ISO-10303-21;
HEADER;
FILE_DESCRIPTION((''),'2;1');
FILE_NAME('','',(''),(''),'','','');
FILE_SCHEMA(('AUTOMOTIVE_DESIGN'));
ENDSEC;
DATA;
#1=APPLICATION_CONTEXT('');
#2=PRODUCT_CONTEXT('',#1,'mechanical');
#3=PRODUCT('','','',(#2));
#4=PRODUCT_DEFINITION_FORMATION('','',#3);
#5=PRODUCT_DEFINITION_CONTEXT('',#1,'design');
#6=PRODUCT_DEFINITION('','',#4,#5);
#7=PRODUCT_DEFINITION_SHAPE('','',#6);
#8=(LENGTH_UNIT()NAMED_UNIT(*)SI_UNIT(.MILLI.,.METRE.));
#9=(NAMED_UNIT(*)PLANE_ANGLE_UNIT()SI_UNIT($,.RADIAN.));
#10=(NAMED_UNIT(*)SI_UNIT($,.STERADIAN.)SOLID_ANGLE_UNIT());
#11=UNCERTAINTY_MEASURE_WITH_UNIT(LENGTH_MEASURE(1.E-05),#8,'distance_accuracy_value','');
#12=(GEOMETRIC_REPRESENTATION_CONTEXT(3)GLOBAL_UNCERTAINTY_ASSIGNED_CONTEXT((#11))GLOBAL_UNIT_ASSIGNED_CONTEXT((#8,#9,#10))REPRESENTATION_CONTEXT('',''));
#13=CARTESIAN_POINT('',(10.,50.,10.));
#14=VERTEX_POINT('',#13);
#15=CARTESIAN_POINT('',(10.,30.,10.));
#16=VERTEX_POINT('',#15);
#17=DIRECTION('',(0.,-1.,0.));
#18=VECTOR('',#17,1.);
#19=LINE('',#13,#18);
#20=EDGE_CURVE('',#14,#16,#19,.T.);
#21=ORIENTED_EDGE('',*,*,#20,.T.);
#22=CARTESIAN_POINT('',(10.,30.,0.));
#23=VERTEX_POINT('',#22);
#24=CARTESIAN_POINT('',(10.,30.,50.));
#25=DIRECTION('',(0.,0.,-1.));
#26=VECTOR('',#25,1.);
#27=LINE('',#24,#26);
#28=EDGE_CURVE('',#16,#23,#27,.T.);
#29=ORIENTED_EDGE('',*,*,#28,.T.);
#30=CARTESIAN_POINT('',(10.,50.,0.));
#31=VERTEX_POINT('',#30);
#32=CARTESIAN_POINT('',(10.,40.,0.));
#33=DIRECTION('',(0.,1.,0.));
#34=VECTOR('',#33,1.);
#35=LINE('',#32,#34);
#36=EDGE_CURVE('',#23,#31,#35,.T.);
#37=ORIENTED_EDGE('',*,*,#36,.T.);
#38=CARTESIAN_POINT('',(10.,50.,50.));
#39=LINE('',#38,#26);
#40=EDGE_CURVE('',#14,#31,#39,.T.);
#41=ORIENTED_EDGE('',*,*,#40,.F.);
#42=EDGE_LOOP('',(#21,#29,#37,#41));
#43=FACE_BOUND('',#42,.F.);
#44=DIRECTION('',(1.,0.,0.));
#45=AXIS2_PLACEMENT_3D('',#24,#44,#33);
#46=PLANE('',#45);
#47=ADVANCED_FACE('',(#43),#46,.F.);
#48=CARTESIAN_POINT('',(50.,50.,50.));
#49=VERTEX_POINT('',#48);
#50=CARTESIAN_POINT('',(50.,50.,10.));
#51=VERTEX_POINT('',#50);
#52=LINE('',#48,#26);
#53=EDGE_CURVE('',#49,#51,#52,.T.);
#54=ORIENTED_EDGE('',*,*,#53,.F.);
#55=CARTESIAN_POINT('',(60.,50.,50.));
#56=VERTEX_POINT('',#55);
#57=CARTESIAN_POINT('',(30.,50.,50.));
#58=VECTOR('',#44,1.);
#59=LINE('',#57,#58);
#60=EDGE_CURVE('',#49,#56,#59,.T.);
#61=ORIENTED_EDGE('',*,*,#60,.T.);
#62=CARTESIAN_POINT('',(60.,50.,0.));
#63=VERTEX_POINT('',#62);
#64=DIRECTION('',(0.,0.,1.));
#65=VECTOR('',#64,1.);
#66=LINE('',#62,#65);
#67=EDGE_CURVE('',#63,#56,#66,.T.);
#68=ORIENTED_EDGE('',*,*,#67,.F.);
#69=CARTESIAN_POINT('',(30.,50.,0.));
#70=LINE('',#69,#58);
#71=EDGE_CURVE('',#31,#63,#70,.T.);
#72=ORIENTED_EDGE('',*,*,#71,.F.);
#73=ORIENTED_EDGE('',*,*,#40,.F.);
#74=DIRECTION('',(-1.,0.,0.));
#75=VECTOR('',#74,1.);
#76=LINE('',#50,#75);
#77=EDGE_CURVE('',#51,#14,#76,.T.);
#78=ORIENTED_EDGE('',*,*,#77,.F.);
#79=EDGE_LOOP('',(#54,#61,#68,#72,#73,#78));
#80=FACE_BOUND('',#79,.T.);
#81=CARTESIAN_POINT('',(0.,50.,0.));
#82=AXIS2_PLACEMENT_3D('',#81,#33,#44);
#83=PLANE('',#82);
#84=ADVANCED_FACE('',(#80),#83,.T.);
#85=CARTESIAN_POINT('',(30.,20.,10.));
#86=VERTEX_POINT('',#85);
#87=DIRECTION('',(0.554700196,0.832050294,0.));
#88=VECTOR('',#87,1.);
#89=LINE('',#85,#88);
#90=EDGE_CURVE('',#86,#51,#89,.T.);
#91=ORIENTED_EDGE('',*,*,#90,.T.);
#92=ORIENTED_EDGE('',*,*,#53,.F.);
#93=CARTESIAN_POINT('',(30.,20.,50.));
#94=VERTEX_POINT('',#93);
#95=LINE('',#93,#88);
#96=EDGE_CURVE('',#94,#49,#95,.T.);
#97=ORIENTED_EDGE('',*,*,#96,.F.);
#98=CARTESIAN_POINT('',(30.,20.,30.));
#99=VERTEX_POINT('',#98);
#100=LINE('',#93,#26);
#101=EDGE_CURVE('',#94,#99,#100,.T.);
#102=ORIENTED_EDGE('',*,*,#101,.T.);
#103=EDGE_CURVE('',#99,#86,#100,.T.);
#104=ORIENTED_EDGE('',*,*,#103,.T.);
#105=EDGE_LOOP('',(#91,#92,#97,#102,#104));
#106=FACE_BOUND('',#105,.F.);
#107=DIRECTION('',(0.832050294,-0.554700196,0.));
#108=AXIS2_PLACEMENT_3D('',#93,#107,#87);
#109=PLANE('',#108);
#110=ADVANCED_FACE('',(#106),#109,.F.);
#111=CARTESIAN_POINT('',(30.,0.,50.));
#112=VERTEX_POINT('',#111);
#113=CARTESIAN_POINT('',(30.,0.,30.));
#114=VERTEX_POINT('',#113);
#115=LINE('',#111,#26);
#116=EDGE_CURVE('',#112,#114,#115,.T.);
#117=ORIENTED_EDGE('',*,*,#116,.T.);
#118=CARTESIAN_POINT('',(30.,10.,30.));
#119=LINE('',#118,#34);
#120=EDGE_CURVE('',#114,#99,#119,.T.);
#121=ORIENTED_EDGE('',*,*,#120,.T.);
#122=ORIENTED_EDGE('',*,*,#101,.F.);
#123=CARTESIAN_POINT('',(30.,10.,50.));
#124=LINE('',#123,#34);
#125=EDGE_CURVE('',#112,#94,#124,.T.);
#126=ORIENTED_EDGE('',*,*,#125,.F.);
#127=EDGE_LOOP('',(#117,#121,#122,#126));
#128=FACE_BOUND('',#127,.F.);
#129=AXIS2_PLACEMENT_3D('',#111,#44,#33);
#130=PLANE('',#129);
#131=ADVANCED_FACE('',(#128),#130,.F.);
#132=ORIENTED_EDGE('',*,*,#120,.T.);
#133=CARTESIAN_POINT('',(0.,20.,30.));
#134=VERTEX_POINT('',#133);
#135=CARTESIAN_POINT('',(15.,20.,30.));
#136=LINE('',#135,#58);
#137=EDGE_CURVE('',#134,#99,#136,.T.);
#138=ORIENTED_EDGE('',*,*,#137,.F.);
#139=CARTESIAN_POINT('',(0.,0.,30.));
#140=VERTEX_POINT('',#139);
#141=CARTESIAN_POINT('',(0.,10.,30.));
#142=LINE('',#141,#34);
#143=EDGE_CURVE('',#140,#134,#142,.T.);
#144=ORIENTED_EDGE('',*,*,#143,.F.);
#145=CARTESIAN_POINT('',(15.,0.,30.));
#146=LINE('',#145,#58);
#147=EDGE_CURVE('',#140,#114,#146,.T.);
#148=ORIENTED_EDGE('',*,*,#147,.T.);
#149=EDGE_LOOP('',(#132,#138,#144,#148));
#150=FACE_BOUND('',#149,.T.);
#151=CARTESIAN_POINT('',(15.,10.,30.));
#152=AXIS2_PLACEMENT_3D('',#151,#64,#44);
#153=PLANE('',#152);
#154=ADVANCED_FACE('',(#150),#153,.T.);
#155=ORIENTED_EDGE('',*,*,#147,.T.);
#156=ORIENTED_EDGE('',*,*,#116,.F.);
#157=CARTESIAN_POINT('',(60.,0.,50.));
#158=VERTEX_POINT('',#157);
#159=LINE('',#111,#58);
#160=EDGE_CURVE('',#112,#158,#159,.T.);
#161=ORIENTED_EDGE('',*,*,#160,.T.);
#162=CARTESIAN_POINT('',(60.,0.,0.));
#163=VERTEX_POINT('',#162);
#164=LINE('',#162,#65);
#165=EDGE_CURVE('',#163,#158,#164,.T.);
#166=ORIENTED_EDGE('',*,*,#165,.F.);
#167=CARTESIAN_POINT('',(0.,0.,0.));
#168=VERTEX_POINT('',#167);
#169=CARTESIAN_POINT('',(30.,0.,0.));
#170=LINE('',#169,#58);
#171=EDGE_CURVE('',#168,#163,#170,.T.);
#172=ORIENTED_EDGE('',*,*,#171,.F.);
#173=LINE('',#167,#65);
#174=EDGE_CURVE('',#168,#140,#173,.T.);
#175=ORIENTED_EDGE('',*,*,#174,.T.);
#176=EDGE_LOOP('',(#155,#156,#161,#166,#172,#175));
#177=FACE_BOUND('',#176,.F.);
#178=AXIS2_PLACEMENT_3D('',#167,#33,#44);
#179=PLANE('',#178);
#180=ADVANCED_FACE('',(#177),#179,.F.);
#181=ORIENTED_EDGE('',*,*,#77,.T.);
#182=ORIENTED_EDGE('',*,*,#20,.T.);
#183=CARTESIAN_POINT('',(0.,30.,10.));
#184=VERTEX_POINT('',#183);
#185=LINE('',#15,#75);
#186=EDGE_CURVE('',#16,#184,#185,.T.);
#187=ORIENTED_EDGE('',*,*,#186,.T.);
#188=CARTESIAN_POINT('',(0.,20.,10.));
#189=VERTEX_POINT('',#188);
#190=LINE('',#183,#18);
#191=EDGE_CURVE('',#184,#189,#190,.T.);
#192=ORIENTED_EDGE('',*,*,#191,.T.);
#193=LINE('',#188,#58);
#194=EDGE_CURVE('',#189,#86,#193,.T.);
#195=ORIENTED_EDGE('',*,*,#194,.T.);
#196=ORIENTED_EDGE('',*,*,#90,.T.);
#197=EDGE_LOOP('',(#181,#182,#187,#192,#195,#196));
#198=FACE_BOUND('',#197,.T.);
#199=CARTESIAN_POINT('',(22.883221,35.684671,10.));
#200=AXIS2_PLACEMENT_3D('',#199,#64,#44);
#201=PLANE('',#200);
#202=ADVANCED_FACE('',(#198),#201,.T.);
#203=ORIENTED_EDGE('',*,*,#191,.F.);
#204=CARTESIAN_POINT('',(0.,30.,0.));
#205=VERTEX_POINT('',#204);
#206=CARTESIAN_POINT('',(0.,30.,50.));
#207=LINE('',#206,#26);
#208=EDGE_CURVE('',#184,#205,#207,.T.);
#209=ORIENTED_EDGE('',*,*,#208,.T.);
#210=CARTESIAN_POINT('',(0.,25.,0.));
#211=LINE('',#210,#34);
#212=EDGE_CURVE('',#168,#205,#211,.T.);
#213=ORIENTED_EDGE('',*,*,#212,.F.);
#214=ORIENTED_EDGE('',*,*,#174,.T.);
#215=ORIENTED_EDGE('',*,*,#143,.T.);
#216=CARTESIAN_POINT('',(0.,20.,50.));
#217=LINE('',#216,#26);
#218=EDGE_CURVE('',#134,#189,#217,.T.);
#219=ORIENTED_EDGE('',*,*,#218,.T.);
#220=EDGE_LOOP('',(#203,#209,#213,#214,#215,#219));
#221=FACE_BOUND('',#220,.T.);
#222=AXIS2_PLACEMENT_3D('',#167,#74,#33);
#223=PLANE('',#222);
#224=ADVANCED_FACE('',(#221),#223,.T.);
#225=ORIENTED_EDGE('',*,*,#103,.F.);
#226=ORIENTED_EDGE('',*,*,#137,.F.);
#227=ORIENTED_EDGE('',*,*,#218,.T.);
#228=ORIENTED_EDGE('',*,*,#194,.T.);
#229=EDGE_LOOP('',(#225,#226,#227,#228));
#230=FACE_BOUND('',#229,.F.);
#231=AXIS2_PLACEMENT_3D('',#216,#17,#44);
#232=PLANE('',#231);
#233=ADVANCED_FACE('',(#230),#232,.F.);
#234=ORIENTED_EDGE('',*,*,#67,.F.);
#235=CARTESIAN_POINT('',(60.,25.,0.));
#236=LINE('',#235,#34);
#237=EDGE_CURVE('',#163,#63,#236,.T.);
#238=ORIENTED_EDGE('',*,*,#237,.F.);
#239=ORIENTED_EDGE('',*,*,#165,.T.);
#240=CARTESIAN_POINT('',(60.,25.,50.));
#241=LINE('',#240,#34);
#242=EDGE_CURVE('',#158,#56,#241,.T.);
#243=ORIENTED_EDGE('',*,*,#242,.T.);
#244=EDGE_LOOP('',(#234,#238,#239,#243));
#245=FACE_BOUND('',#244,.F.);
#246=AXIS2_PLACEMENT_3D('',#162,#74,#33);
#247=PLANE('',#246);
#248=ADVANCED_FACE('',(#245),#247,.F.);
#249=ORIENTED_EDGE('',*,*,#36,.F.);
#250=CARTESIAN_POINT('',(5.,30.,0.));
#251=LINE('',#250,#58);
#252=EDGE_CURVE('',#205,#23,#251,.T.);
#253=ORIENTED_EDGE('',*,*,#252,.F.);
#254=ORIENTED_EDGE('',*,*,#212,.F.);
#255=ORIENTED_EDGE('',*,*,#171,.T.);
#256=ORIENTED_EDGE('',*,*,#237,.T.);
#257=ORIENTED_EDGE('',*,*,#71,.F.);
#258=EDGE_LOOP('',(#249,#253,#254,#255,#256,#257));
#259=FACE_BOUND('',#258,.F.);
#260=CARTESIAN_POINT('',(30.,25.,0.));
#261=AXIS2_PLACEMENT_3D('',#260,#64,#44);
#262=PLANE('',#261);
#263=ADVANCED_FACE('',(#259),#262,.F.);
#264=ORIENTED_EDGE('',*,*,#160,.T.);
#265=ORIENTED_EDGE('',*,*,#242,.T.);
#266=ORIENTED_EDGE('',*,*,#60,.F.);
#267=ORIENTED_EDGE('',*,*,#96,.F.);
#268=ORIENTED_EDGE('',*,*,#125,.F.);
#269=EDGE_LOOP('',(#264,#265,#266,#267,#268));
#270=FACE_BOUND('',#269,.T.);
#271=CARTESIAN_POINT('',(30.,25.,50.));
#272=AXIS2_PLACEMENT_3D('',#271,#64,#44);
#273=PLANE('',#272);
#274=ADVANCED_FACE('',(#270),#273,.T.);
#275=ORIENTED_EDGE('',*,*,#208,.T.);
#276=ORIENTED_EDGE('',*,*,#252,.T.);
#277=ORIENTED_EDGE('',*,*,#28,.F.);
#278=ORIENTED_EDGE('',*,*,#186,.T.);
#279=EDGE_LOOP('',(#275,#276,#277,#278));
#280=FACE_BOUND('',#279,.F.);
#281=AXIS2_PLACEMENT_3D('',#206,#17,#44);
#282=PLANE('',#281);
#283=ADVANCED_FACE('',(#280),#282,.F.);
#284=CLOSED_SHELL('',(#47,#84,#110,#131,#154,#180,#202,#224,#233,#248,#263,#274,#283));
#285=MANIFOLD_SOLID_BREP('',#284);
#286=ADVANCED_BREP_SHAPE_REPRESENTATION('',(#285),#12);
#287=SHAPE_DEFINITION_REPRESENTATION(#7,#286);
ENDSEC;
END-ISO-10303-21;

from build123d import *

# Parameters (mm, degrees)
SKETCH1_W           = 60
SKETCH1_H           = 50
BOSS_EXTRUDE2_DEPTH = 50
SKETCH2_W           = 10
SKETCH2_H           = 20
CUT_EXTRUDE1_DEPTH  = 50
SKETCH3_W           = 30
SKETCH3_H           = 20
CUT_EXTRUDE2_DEPTH  = 20
CUT_EXTRUDE4_DEPTH  = 40


with BuildPart() as part:
    # Sketch1 → Boss-Extrude2 (new body)
    with BuildSketch(Plane.XY):
        with Locations((30, 25)):
            Rectangle(SKETCH1_W, SKETCH1_H)
    extrude(amount=BOSS_EXTRUDE2_DEPTH)

    # Sketch2 → Cut-Extrude1 (cut)
    with BuildSketch(Plane.XY.offset(50)):
        with Locations((5, 40)):
            Rectangle(SKETCH2_W, SKETCH2_H)
    extrude(amount=-CUT_EXTRUDE1_DEPTH, mode=Mode.SUBTRACT)

    # Sketch3 → Cut-Extrude2 (cut)
    with BuildSketch(Plane.XY.offset(50)):
        with Locations((15, 10)):
            Rectangle(SKETCH3_W, SKETCH3_H)
    extrude(amount=-CUT_EXTRUDE2_DEPTH, mode=Mode.SUBTRACT)

    # Sketch4 → Cut-Extrude4 (cut)
    with BuildSketch(Plane.XY.offset(50)):
        Polygon((30, 20), (50, 50), (10, 50), (10, 30), (0, 30), (0, 20), align=None)
    extrude(amount=-CUT_EXTRUDE4_DEPTH, mode=Mode.SUBTRACT)


solid = part.part
